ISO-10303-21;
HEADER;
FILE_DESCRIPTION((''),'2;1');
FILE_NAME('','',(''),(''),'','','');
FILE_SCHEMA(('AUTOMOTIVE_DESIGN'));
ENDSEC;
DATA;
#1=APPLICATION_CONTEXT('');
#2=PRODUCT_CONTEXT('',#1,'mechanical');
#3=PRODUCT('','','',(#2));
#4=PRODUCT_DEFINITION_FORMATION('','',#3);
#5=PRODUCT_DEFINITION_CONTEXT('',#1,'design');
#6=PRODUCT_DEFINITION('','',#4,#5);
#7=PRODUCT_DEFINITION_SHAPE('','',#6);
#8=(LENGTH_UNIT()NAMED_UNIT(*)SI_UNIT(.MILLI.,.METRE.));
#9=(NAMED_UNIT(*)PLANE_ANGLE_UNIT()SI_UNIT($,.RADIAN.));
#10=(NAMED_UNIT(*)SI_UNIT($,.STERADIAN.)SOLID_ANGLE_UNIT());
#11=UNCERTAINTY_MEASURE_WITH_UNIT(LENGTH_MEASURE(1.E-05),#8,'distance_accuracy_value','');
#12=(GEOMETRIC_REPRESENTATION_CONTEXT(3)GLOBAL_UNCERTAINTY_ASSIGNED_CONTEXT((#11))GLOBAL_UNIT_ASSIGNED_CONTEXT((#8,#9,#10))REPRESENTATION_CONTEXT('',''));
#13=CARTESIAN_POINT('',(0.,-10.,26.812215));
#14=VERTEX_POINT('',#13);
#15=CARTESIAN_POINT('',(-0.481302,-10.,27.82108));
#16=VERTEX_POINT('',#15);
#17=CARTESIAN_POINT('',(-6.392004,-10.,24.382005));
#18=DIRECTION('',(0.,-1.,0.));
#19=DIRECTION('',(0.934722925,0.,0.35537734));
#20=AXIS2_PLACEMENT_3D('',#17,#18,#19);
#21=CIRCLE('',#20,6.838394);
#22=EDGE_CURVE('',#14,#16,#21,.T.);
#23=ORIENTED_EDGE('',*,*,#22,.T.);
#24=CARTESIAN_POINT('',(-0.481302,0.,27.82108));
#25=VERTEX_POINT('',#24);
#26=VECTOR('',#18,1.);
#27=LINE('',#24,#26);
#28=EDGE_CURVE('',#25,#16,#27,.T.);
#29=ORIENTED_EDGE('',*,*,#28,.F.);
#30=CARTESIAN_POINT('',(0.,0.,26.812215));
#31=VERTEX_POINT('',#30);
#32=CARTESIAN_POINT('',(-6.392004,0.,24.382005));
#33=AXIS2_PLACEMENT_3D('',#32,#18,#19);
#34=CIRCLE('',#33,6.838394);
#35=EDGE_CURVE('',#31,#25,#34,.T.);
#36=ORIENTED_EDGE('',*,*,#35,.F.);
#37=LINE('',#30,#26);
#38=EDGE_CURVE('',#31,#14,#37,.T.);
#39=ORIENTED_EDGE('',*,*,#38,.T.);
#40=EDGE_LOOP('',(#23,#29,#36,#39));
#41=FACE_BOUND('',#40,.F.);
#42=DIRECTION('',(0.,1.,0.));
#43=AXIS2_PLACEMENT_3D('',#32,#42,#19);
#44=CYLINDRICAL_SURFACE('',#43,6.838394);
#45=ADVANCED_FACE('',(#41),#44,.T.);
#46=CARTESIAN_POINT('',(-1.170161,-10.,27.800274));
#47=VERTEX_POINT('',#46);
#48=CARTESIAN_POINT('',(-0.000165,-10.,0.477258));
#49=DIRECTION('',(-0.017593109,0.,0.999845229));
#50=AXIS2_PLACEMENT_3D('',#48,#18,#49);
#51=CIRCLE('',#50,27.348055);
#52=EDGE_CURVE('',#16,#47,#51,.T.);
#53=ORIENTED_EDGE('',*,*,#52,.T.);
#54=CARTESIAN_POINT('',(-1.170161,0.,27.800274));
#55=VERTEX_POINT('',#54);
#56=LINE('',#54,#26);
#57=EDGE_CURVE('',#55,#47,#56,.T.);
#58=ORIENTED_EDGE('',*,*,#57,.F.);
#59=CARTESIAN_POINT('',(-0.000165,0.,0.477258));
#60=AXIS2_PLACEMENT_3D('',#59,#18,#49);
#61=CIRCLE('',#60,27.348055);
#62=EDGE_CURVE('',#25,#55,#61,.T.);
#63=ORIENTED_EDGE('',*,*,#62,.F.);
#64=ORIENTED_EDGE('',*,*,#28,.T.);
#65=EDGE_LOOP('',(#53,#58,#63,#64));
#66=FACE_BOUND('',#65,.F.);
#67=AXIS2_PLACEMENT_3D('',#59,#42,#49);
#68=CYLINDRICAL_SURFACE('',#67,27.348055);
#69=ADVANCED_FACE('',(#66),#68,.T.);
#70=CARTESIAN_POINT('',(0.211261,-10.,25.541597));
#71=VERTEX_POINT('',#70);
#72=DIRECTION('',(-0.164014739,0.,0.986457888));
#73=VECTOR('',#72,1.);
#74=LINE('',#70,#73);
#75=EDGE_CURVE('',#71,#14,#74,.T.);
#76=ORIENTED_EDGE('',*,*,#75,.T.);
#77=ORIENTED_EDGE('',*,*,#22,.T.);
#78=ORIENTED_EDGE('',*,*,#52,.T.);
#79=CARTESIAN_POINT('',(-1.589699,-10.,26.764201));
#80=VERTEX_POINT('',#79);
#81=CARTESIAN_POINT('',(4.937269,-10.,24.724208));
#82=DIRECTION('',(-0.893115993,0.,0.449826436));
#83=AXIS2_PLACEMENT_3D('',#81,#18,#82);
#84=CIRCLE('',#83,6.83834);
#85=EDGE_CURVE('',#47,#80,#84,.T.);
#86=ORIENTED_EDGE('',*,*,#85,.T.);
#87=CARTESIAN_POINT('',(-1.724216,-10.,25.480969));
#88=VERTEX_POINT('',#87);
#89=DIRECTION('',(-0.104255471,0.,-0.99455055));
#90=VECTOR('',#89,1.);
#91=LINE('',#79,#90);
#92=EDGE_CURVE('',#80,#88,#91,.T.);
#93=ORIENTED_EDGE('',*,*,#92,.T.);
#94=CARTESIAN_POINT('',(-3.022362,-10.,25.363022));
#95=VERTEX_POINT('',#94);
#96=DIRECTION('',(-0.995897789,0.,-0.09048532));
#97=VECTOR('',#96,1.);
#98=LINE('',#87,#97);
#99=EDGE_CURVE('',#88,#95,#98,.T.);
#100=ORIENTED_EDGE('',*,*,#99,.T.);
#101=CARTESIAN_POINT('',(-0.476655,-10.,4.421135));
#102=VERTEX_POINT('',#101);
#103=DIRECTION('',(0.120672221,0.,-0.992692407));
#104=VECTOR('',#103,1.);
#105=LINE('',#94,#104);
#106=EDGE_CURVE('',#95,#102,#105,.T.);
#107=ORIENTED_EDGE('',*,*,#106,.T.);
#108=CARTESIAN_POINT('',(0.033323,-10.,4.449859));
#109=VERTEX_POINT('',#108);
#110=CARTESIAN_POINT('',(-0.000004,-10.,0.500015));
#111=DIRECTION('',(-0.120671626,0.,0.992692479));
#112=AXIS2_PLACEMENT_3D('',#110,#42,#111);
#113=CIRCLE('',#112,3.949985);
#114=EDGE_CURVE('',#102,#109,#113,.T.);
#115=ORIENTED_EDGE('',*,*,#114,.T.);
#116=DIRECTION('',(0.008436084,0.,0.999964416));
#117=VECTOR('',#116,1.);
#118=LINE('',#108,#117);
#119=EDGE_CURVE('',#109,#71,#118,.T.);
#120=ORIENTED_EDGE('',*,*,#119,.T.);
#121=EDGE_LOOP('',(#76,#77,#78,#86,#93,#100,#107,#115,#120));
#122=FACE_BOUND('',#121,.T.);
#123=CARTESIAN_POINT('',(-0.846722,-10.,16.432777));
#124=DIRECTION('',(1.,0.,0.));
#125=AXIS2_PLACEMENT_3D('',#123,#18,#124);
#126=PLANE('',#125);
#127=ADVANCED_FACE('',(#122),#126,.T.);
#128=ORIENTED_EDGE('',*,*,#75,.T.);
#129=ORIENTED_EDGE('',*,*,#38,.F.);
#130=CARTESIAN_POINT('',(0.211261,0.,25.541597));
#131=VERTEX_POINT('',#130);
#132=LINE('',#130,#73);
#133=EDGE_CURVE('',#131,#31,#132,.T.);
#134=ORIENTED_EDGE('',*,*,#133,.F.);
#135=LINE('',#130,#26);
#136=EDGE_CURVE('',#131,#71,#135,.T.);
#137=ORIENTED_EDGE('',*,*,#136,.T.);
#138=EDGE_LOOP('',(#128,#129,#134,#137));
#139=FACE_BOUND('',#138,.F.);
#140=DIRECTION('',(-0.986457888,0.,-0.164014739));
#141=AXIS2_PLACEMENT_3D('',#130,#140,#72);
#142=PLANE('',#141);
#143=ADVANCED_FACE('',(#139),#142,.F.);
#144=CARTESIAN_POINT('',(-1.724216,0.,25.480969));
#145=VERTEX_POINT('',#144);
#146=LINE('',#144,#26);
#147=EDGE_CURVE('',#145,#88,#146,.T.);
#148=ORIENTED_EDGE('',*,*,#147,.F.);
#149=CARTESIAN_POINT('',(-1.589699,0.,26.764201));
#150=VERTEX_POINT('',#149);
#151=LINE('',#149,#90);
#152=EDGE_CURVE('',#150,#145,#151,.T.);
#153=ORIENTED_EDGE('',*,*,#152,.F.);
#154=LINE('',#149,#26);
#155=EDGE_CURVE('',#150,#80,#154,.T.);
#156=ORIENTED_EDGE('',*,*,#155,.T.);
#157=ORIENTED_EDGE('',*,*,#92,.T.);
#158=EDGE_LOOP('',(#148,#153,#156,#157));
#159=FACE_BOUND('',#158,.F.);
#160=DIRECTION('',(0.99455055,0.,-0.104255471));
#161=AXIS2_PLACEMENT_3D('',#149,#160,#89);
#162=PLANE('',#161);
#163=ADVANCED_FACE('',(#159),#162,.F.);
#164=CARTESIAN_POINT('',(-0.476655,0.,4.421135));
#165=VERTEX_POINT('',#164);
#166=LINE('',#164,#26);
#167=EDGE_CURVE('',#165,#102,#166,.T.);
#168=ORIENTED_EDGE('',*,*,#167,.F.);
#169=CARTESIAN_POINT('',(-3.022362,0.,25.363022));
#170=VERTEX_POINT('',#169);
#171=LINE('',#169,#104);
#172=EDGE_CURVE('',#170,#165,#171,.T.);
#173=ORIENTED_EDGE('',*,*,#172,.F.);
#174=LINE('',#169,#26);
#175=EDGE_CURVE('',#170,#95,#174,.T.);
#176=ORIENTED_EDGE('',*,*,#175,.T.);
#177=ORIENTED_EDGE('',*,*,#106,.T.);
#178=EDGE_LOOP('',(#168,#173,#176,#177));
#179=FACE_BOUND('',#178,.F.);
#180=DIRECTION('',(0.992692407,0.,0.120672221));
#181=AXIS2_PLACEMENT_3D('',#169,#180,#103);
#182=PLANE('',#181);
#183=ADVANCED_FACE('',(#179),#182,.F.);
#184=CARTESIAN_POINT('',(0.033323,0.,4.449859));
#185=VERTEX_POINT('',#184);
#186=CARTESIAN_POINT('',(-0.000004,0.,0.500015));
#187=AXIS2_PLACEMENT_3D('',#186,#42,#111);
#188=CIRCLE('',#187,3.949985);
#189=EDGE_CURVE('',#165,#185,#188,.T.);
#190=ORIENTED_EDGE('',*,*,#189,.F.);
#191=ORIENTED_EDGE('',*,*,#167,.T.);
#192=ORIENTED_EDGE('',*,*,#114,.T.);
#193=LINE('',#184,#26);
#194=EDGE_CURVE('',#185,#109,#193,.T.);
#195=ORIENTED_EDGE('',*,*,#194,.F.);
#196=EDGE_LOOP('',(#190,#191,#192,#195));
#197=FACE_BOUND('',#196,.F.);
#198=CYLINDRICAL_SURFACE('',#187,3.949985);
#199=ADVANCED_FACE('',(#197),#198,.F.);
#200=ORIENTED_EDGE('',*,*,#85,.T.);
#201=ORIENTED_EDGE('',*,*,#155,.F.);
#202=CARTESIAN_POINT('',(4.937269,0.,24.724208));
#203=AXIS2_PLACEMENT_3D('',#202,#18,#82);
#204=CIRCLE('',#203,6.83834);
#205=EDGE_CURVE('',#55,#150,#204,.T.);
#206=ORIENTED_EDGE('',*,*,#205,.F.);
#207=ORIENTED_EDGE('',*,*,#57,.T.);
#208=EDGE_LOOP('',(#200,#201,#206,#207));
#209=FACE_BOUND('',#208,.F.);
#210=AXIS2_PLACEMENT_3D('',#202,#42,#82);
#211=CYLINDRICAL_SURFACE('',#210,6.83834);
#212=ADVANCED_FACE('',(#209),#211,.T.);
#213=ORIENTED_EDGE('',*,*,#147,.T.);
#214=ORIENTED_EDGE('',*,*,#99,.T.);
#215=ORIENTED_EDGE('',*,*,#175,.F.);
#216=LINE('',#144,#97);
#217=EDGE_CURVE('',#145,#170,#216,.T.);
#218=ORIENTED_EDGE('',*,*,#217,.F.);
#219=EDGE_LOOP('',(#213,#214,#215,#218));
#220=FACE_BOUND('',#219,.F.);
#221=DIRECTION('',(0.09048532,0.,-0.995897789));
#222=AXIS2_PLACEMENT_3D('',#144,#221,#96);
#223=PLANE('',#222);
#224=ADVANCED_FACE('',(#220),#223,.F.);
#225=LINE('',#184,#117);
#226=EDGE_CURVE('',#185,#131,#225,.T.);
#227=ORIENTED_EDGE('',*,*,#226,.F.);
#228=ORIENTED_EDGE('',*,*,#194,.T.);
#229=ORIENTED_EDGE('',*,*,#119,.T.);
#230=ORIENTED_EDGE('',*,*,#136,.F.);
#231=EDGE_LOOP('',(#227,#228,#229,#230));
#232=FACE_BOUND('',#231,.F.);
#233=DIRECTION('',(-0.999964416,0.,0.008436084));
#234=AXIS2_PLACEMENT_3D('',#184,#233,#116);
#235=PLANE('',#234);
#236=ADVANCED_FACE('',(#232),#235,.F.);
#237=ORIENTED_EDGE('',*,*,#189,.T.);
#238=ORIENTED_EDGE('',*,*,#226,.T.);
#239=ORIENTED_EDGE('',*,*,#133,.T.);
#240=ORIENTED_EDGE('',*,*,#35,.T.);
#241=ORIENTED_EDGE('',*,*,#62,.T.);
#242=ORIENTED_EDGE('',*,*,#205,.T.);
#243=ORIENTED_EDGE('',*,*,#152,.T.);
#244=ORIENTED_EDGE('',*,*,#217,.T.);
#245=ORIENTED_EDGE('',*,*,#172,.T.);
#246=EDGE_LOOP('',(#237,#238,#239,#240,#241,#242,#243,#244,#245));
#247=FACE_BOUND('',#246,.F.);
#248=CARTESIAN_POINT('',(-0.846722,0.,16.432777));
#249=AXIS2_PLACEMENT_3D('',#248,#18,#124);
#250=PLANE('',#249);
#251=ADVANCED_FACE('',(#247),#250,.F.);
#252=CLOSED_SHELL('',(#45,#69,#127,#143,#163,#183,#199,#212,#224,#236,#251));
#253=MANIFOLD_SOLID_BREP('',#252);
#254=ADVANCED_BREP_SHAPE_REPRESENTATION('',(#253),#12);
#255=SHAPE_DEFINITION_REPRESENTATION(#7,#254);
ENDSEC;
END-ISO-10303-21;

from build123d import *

# Parameters (mm, degrees)
F2_DEPTH = 10


with BuildPart() as f2:
    # F0 (on Front) → F2 (new body)
    with BuildSketch(Plane.XZ):
        with BuildLine():
            Line((0.211261, 25.041597), (0, 26.312215))
            ThreePointArc((0, 26.312215), (-0.220003, 26.826498), (-0.481302, 27.32108))
            ThreePointArc((-0.481302, 27.32108), (-0.825797, 27.312847), (-1.170161, 27.300274))
            ThreePointArc((-1.170161, 27.300274), (-1.401135, 26.790824), (-1.589699, 26.264201))
            Line((-1.589699, 26.264201), (-1.724216, 24.980969))
            Line((-1.724216, 24.980969), (-3.022362, 24.863022))
            Line((-3.022362, 24.863022), (-0.476655, 3.921135))
            ThreePointArc((-0.476655, 3.921135), (-0.222131, 3.943749), (0.033323, 3.949859))
            Line((0.033323, 3.949859), (0.211261, 25.041597))
        make_face()
    extrude(amount=F2_DEPTH)


with BuildPart() as f2_1:
    # F3: moved
    add(f2.part.moved(Location((0, 0, 0.5))))


solid = f2_1.part
